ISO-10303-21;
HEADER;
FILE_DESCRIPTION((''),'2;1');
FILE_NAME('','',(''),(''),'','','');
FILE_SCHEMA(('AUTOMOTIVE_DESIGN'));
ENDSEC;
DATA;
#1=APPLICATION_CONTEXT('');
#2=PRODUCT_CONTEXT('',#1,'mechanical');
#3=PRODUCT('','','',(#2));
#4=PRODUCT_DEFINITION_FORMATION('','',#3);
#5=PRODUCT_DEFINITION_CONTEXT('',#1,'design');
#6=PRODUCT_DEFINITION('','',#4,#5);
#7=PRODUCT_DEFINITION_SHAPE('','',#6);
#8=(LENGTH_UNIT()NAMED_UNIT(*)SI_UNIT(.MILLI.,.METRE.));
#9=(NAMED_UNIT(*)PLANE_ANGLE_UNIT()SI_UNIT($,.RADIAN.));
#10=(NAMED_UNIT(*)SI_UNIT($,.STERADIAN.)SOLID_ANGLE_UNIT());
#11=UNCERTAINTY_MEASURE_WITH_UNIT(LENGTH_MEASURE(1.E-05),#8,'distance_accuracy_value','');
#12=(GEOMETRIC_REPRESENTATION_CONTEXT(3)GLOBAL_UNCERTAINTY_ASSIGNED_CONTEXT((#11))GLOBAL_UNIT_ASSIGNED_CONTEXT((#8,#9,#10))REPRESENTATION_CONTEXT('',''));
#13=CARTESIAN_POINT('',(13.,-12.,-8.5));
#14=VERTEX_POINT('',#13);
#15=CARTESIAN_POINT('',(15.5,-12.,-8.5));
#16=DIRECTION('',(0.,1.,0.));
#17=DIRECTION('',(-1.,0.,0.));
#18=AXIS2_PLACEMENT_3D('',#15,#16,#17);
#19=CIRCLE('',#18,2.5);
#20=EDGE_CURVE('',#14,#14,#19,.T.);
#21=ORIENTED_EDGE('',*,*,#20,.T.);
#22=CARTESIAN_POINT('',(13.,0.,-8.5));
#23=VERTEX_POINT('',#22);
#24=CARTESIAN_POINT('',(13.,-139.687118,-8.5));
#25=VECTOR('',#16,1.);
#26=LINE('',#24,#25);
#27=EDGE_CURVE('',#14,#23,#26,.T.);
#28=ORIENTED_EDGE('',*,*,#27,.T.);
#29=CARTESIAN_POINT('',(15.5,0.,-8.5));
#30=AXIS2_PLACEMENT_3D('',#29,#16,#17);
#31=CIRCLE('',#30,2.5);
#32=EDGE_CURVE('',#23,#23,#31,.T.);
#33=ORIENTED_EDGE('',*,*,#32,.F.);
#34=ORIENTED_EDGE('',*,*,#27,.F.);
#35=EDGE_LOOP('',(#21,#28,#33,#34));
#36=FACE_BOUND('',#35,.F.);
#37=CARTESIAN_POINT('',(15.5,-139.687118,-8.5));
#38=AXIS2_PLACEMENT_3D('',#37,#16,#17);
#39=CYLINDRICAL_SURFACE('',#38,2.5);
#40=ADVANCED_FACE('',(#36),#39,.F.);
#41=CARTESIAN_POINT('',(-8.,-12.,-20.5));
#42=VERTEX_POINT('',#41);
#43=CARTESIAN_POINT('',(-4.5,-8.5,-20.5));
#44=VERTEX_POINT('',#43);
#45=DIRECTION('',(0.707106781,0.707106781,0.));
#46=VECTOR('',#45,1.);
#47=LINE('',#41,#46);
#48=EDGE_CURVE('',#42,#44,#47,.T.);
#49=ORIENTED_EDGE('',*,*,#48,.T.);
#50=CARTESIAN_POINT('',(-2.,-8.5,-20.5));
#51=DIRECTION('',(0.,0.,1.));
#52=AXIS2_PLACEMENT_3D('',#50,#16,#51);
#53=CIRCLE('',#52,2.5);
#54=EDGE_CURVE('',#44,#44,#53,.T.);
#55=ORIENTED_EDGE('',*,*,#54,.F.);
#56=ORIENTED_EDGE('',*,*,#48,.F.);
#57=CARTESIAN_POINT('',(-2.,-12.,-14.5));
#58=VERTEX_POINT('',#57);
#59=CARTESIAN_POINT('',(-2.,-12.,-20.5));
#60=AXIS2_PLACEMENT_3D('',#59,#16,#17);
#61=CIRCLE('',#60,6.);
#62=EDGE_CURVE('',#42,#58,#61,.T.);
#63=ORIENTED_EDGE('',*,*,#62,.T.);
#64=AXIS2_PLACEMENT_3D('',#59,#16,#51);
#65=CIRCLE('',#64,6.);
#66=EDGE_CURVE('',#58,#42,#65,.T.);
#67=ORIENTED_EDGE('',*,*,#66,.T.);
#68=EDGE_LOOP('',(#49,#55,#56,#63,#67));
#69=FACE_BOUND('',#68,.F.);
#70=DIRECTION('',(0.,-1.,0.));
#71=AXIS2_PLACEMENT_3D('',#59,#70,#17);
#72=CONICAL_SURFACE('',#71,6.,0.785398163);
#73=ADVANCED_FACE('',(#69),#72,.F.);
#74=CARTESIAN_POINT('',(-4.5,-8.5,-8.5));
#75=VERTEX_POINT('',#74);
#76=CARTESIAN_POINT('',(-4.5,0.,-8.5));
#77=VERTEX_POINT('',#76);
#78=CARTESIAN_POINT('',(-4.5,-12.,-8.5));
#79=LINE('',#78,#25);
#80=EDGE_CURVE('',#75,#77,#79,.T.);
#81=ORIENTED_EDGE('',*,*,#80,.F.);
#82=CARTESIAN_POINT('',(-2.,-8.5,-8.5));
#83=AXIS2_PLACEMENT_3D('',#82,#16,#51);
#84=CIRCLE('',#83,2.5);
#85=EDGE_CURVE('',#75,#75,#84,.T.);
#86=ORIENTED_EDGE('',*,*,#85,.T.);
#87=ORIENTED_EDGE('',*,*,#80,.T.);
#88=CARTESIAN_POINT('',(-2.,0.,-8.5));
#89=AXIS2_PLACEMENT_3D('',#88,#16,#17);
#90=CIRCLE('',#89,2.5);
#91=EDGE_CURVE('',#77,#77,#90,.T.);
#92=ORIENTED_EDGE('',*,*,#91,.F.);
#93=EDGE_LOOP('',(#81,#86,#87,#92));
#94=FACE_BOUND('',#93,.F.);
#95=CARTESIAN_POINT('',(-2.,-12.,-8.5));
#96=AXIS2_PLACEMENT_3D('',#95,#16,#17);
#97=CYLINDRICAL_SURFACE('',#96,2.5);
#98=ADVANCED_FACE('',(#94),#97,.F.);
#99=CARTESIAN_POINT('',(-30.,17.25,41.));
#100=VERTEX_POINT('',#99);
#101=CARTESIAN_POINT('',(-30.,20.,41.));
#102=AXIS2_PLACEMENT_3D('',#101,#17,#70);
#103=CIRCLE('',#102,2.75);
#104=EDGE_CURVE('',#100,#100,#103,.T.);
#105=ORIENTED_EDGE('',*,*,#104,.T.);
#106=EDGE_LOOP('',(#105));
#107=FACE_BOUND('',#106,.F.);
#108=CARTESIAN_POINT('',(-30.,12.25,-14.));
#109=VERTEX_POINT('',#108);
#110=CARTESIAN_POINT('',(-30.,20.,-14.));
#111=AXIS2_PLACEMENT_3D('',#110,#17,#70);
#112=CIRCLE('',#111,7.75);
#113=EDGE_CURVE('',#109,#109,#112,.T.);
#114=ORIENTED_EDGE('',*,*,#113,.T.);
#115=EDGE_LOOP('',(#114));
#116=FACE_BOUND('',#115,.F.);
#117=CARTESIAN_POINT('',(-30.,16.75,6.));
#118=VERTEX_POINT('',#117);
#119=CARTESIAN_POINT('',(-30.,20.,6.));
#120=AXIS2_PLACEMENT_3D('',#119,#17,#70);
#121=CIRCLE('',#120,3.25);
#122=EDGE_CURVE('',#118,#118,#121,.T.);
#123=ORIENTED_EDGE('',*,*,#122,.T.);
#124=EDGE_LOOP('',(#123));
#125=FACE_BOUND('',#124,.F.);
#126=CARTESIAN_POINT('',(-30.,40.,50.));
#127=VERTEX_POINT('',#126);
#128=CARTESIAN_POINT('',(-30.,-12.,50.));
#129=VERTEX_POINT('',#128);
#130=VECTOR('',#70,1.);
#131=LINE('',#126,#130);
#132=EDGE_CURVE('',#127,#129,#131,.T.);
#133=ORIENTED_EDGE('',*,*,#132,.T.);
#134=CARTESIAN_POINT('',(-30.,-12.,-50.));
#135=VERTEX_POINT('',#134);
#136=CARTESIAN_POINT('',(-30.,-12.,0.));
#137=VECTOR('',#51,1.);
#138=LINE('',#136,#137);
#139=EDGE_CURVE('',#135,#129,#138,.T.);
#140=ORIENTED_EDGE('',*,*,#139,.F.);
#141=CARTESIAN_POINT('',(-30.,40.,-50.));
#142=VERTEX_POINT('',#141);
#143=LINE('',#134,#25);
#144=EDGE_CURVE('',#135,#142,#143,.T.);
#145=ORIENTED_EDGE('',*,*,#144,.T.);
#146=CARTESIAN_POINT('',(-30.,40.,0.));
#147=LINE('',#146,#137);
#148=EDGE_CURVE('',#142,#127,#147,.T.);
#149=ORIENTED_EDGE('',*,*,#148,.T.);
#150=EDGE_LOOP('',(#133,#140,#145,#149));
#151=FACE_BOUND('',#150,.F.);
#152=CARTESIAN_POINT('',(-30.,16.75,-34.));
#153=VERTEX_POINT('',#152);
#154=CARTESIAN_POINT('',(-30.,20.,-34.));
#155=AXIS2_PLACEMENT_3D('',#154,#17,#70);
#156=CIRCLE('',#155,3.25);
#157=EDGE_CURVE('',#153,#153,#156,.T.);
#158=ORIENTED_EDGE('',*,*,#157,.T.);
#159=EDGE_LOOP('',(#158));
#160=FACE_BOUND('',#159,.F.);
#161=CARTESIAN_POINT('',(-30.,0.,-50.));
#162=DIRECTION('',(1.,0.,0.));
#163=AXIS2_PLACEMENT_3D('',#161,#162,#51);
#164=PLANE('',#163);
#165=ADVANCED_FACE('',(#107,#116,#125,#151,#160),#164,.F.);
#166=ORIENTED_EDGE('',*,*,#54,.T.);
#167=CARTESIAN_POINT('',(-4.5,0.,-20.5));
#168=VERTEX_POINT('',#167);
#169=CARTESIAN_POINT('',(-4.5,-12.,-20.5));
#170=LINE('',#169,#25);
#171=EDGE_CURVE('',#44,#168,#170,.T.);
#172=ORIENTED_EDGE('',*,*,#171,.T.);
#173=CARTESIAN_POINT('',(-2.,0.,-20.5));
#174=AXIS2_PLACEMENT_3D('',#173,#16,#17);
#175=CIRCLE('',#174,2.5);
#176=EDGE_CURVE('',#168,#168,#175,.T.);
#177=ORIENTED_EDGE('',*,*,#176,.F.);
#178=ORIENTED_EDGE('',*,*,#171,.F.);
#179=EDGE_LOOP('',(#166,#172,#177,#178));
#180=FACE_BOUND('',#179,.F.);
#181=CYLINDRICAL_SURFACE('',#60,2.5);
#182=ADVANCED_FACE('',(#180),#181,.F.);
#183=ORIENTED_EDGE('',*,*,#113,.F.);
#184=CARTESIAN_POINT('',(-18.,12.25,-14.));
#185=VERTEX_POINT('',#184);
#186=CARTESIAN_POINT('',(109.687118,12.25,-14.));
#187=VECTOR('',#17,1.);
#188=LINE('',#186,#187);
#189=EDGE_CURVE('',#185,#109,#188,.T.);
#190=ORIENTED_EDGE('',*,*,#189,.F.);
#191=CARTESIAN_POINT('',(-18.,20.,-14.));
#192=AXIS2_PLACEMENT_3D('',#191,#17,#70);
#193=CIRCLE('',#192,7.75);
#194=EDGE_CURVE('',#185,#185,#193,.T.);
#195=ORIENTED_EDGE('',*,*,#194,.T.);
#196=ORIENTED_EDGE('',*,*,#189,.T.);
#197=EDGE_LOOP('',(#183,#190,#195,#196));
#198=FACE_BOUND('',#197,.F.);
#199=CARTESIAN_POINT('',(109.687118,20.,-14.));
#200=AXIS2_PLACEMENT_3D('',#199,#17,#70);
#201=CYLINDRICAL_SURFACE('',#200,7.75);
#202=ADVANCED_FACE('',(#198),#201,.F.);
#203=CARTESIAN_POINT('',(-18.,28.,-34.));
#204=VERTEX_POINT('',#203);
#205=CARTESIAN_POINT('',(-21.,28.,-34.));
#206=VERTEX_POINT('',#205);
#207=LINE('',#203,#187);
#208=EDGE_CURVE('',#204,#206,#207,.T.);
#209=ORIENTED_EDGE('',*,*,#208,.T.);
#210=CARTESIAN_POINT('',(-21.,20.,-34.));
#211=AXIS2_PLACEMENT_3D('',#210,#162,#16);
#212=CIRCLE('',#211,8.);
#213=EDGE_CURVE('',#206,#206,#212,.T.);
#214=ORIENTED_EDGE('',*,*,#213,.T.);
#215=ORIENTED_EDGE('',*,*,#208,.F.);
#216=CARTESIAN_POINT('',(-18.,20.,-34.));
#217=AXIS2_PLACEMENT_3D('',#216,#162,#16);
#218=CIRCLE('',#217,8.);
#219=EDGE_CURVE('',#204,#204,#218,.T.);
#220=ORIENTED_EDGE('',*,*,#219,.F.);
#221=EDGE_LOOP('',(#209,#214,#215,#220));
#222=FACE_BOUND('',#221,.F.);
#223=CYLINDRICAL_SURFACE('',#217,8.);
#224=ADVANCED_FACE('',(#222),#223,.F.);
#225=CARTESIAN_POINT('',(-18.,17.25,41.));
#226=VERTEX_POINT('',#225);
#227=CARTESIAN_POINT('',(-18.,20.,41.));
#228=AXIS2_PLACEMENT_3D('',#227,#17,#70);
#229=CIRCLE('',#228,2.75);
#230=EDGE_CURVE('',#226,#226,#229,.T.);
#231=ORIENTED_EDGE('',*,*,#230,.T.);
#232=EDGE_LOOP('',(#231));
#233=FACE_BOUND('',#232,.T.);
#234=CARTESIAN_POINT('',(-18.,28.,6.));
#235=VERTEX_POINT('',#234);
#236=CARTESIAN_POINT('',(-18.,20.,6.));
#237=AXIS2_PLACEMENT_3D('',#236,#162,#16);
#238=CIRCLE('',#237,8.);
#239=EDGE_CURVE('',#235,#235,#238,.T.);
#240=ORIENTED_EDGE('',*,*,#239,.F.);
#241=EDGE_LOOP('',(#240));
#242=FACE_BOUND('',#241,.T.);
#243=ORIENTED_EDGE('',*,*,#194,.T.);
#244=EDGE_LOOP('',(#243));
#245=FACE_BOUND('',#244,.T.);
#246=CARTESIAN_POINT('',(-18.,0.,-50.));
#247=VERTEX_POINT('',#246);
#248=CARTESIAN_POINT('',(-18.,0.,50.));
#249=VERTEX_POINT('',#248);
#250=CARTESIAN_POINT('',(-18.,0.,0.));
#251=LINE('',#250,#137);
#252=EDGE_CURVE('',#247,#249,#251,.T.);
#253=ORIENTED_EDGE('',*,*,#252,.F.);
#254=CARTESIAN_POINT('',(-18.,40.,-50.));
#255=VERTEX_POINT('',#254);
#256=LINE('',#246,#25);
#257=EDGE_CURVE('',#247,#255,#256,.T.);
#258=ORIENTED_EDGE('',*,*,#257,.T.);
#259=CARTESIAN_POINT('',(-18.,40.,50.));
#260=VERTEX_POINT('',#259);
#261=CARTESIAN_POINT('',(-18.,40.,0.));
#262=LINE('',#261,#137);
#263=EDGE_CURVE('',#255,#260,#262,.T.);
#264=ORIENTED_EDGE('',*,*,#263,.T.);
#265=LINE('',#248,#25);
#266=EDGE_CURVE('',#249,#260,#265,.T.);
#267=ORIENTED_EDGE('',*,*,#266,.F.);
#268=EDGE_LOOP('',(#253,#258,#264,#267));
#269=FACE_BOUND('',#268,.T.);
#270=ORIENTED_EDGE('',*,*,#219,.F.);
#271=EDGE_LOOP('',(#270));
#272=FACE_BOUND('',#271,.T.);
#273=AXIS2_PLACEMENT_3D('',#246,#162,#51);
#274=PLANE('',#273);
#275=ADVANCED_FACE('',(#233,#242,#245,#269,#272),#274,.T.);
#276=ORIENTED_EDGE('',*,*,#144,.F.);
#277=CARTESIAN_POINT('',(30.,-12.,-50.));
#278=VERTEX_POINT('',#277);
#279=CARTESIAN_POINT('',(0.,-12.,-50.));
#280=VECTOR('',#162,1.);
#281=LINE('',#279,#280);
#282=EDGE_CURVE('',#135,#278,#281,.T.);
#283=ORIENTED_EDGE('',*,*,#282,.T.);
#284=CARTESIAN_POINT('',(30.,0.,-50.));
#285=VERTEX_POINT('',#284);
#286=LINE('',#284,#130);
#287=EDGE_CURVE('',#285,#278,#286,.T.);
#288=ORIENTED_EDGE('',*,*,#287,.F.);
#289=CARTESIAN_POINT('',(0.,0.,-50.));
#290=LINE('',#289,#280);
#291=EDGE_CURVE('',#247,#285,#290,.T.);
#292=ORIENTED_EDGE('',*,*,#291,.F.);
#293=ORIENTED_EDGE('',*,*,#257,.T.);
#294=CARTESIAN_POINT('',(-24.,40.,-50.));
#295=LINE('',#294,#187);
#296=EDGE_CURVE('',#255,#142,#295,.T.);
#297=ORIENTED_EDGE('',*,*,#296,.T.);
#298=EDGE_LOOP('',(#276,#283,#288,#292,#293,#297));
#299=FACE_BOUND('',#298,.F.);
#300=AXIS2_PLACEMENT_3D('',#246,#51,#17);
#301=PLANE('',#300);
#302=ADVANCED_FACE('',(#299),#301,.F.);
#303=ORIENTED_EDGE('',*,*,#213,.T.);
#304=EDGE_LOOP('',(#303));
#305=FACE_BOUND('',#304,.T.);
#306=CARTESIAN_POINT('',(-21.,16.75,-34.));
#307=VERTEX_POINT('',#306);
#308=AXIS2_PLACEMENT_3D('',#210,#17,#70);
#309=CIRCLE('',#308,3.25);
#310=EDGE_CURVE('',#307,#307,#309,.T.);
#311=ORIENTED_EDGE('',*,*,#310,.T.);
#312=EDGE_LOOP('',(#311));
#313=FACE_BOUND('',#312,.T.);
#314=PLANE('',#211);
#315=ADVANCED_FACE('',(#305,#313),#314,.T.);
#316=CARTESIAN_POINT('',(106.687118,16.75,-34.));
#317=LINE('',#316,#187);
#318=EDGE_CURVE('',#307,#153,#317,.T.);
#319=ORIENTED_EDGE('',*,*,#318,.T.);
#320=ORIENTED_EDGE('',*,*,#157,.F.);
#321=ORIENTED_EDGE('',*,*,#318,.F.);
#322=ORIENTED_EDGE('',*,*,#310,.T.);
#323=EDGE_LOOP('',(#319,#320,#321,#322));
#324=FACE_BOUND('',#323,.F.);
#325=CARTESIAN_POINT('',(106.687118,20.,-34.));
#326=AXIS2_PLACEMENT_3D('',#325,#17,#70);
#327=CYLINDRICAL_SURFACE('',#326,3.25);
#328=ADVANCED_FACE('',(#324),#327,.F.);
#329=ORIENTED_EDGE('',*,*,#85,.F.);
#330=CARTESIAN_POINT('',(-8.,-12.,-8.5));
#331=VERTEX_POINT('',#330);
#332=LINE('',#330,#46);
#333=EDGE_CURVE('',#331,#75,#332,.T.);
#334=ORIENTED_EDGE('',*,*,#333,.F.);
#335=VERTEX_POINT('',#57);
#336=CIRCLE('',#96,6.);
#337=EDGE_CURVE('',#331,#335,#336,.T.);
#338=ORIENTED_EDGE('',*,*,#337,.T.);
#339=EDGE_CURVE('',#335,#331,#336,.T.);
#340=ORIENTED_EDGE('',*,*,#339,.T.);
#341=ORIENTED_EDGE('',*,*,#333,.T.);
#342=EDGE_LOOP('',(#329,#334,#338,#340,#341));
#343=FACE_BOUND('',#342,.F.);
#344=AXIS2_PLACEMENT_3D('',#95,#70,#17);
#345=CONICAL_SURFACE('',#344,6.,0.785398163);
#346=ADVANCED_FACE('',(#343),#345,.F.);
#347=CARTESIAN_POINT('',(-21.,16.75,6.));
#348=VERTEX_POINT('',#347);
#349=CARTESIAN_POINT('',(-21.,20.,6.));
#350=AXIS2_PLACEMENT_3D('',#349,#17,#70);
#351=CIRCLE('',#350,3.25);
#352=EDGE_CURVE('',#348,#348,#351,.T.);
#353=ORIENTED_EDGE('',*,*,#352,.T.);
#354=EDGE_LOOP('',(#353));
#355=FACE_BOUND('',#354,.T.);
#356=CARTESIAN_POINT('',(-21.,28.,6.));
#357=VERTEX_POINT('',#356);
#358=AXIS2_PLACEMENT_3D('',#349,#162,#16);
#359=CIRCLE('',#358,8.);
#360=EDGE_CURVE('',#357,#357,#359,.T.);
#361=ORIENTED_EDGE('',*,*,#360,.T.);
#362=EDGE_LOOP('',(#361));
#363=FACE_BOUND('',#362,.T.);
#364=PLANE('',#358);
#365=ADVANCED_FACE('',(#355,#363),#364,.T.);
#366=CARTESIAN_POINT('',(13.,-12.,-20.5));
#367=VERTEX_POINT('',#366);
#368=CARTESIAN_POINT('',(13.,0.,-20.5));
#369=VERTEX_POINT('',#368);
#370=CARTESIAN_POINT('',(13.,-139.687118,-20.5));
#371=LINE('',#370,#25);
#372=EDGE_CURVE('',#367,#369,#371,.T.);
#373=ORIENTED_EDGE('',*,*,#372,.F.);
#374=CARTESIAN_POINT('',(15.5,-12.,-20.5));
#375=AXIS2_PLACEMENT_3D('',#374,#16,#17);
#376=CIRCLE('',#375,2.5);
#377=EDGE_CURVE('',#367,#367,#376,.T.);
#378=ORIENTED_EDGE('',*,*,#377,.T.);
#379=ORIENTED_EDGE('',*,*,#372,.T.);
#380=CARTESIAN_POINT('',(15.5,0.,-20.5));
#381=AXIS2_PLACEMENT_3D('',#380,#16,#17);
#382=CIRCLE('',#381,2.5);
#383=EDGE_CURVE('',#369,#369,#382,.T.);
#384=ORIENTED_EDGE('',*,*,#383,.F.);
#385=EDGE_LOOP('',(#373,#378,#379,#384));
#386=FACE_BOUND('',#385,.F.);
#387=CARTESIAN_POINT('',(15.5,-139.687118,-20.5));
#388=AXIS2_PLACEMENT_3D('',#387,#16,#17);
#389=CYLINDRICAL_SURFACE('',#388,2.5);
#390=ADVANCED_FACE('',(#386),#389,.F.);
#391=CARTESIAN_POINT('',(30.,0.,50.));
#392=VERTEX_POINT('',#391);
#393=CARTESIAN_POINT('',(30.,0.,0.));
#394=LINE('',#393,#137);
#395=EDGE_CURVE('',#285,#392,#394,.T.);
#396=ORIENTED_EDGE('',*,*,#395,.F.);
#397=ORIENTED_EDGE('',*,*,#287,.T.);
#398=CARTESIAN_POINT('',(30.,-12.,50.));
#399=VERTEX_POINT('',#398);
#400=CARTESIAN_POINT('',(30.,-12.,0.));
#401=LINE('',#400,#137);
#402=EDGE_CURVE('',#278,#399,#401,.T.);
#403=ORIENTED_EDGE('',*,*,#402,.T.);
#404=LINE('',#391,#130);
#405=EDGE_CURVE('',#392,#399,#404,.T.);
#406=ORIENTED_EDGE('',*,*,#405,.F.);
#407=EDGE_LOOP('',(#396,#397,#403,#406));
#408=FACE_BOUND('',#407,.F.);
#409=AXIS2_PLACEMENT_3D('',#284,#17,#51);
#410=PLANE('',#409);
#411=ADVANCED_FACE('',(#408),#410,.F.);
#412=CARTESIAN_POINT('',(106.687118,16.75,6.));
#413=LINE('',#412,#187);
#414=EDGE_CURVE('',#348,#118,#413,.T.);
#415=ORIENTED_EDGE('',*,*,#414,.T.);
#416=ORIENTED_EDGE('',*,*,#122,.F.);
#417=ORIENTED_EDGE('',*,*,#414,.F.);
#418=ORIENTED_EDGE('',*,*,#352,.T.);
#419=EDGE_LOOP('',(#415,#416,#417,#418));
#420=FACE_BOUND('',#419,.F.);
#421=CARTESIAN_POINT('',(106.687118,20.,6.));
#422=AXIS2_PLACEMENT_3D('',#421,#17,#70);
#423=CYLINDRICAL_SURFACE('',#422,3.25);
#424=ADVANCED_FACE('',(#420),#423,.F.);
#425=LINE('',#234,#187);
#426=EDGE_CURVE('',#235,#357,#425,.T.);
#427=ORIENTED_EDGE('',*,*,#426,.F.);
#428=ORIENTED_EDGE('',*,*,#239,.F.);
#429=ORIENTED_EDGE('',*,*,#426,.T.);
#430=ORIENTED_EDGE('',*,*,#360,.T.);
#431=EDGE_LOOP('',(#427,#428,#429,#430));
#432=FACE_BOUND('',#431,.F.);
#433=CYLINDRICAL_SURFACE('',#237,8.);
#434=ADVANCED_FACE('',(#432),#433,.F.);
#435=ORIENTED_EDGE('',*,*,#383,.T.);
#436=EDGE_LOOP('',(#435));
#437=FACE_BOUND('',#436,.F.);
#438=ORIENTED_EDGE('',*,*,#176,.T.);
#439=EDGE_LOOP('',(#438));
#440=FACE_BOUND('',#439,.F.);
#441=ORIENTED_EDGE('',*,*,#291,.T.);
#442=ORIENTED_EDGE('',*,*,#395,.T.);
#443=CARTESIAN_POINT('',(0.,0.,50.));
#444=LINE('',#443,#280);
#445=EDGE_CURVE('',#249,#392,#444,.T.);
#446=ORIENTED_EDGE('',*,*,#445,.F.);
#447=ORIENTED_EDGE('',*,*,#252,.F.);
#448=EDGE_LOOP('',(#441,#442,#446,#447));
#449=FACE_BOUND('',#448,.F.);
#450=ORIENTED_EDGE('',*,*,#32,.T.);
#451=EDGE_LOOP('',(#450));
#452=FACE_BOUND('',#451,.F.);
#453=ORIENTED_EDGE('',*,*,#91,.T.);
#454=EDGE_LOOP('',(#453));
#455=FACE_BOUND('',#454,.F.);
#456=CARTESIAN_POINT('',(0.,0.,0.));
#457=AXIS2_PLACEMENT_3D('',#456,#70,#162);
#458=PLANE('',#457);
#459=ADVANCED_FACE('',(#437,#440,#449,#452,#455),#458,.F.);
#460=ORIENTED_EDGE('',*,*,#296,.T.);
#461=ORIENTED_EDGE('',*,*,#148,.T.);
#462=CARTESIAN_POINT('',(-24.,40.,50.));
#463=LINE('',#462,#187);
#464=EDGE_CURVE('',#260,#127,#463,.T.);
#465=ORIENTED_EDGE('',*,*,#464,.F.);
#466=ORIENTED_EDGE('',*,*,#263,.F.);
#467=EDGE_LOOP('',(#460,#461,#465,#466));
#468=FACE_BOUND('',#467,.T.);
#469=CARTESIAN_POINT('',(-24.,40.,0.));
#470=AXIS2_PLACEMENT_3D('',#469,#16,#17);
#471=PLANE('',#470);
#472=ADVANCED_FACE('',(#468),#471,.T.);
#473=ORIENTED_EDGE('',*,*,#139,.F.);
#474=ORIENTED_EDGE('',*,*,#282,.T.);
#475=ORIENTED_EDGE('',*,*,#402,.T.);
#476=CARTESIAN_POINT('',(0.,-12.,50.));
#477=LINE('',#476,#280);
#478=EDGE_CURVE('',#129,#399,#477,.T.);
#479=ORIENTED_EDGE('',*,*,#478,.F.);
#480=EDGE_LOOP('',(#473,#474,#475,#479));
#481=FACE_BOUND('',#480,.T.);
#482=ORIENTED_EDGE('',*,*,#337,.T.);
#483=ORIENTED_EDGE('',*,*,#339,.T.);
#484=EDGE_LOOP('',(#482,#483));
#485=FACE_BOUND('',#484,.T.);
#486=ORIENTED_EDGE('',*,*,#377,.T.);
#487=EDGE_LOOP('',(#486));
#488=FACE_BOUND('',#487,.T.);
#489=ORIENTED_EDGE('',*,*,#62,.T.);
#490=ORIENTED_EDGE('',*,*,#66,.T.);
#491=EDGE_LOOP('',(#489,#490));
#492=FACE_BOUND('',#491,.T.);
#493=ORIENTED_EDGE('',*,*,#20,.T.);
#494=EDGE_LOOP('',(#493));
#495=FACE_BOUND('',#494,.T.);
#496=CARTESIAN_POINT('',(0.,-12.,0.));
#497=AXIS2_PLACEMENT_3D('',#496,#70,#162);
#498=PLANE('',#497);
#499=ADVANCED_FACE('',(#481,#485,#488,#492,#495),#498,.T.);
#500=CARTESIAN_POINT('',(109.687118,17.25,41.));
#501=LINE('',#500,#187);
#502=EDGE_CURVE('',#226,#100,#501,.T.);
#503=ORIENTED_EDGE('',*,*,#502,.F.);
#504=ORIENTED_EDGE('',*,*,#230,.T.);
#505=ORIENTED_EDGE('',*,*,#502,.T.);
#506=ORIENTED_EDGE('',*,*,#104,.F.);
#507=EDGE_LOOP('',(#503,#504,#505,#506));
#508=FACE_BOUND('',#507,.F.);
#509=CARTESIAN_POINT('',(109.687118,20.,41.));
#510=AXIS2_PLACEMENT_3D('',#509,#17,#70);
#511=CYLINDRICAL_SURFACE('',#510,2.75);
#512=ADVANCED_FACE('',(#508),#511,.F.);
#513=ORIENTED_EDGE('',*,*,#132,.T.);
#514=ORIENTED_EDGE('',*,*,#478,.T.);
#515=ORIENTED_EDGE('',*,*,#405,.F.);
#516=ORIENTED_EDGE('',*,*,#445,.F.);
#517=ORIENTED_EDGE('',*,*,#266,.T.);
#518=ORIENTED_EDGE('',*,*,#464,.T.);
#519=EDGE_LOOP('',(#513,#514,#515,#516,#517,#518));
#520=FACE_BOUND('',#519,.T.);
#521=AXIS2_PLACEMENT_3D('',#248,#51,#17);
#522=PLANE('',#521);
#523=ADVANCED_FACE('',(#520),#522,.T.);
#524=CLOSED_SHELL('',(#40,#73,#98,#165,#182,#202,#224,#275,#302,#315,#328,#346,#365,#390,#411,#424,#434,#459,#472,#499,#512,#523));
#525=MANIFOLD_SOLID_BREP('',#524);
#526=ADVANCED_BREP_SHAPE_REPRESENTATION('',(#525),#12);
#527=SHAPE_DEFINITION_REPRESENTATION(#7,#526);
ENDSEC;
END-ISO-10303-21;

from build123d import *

# Parameters (mm, degrees)
F0_W            = 60
F0_H            = 100
F1_DEPTH        = 10
F2_W            = 12
F2_H            = 100
F3_DEPTH        = 40
F5_W            = 60
F5_H            = 100
F6_DEPTH        = 12
F7_W            = 12
F7_H            = 100
F8_DEPTH        = 40
F10_D           = 5
F10_CSINK_D     = 12
F10_CSINK_ANGLE = 90
F12_D           = 5
F13_R           = 8
F14_DEPTH       = 3
F16_D           = 6.5
F18_D           = 6.5
F20_D           = 5.5
F22_D           = 15.5


with BuildPart() as f1:
    # F0 (on Front) → F1 (new body)
    with BuildSketch(Plane.XZ):
        Rectangle(F0_W, F0_H)
    extrude(amount=F1_DEPTH)

    # F2 (on face) → F3 (join)
    with BuildSketch(Plane.XZ.offset(10)):
        with Locations((-24, 0)):
            Rectangle(F2_W, F2_H)
    extrude(amount=F3_DEPTH)


with BuildPart() as f6:
    # F5 (on Front) → F6 (new body)
    with BuildSketch(Plane.XZ):
        Rectangle(F5_W, F5_H)
    extrude(amount=F6_DEPTH)

    # F7 (on face) → F8 (join)
    with BuildSketch(Plane(origin=(0, 0, 0), x_dir=(-1, 0, 0), z_dir=(0, 1, 0))):
        with Locations((24, 0)):
            Rectangle(F7_W, F7_H)
    extrude(amount=F8_DEPTH)

    # F10 (through all)
    with Locations(Plane.XZ.offset(12)):
        with Locations((-2, -8.5), (-2, -20.5)):
            CounterSinkHole(F10_D / 2, F10_CSINK_D / 2, counter_sink_angle=F10_CSINK_ANGLE)

    # F12 (through all)
    with Locations(Plane.XZ.offset(12)):
        with Locations((15.5, -8.5), (15.5, -20.5)):
            Hole(F12_D / 2)

    # F13 (on face) → F14 (cut)
    with BuildSketch(Plane.YZ.offset(-18)):
        with Locations((20, 6)):
            Circle(F13_R)
        with Locations((20, -34)):
            Circle(F13_R)
    extrude(amount=-F14_DEPTH, mode=Mode.SUBTRACT)

    # F16 (through all)
    with Locations(Plane.YZ.offset(-21)):
        with Locations((20, 6)):
            Hole(F16_D / 2)

    # F18 (through all)
    with Locations(Plane.YZ.offset(-21)):
        with Locations((20, -34)):
            Hole(F18_D / 2)

    # F20 (through all)
    with Locations(Plane.YZ.offset(-18)):
        with Locations((20, 41)):
            Hole(F20_D / 2)

    # F22 (through all)
    with Locations(Plane.YZ.offset(-18)):
        with Locations((20, -14)):
            Hole(F22_D / 2)


solid = f6.part
